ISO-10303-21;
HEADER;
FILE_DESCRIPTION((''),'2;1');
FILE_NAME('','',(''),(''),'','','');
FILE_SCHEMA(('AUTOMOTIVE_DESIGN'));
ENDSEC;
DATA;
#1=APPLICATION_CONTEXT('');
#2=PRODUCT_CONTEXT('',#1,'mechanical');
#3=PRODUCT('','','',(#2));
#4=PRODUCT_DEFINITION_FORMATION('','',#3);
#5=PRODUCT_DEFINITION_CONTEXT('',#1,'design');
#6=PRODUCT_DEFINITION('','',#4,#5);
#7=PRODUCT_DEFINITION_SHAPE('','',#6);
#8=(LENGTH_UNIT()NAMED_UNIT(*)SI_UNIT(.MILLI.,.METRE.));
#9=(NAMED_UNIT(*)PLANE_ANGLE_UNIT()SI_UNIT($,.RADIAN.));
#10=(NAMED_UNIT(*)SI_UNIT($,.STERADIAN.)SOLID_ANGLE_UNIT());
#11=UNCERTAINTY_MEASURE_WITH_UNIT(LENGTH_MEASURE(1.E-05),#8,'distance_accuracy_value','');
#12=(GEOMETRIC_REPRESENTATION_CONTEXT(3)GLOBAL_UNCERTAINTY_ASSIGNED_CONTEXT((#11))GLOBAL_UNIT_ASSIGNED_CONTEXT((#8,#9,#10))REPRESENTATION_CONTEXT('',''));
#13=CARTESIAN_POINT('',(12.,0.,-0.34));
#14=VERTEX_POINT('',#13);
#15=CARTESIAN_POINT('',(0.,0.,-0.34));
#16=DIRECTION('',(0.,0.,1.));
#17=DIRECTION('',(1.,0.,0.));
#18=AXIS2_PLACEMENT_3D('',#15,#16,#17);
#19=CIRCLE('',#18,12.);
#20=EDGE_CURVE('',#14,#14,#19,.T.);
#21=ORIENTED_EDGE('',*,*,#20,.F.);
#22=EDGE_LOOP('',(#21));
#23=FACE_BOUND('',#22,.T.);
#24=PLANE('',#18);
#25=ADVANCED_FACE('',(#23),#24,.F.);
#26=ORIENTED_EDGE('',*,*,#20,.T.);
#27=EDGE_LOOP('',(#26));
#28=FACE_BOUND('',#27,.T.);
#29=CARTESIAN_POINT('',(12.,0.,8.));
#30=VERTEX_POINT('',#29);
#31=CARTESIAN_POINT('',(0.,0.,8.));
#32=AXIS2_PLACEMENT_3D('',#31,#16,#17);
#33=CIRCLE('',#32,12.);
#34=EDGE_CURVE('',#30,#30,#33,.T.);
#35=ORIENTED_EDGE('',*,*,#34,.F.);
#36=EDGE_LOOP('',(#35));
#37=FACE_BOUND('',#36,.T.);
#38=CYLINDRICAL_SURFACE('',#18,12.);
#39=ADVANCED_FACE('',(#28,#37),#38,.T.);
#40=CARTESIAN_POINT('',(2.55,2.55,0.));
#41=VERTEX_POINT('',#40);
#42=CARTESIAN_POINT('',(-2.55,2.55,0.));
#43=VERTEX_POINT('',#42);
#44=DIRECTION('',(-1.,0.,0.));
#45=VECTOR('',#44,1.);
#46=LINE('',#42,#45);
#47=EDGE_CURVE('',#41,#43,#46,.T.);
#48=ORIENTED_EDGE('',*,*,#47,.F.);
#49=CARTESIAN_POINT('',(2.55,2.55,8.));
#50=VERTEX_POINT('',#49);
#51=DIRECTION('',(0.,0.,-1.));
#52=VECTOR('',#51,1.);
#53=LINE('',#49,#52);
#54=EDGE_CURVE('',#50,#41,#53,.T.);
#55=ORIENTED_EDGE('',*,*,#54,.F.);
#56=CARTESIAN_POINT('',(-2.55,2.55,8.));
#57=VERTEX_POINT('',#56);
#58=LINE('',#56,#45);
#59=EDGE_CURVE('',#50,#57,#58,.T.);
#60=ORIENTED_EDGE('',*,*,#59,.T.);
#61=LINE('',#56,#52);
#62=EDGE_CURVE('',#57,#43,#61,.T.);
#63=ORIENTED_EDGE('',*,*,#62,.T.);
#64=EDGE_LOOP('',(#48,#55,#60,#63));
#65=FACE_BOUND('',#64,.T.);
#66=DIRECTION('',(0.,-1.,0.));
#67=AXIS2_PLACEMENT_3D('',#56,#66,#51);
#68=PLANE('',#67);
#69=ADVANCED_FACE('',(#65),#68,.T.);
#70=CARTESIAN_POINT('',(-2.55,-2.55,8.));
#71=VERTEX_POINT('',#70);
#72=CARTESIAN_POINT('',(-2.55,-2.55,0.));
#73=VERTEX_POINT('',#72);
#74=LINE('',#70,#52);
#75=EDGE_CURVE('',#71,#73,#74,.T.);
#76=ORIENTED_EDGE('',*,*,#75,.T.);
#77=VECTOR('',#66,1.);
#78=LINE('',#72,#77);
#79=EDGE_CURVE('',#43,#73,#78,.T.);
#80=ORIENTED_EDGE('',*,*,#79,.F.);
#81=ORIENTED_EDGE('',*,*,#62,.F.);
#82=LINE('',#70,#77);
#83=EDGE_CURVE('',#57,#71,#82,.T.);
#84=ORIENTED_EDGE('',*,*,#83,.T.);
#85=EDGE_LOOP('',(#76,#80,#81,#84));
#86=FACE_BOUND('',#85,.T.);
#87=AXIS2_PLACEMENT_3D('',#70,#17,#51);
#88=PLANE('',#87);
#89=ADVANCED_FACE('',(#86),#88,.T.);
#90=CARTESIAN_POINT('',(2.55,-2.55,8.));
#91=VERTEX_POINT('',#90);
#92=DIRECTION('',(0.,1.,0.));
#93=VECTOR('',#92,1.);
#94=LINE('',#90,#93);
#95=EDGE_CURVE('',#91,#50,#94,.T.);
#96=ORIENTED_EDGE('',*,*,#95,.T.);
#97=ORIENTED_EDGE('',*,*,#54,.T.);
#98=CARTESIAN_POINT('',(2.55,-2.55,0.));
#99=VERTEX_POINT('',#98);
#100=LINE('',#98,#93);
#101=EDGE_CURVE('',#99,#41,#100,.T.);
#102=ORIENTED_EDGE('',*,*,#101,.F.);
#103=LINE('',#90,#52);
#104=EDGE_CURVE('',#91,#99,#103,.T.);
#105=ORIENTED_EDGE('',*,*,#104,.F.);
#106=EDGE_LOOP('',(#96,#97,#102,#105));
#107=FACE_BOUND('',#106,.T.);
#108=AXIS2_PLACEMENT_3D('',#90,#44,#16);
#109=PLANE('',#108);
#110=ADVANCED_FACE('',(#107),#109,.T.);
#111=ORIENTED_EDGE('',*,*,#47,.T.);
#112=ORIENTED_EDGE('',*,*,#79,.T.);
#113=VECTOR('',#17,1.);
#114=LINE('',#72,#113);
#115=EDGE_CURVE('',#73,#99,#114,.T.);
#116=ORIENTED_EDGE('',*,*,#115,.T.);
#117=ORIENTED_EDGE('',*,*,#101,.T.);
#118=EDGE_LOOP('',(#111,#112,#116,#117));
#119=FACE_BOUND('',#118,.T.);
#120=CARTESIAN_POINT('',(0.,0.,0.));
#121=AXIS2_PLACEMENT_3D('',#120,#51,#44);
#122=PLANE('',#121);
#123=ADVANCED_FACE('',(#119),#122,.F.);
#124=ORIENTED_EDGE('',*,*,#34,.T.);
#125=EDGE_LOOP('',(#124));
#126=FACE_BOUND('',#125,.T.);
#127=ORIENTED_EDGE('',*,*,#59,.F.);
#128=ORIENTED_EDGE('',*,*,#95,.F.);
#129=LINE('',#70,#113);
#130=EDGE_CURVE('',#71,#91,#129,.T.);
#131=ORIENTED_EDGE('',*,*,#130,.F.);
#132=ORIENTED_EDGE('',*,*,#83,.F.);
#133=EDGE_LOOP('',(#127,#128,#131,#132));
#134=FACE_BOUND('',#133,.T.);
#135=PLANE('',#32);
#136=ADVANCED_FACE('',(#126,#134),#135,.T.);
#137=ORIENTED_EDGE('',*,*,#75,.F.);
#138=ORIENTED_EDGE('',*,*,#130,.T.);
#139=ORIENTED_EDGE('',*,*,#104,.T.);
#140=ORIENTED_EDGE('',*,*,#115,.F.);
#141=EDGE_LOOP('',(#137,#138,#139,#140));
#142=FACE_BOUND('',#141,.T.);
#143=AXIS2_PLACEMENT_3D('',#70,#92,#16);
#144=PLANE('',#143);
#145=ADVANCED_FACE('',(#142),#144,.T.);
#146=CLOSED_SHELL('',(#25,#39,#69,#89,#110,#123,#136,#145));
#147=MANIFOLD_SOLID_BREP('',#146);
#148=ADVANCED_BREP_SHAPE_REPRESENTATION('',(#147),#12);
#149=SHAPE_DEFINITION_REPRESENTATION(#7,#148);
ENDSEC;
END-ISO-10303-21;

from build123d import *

# Parameters (mm, degrees)
BOSS_EXTRUDE1_START = 8
SKETCH1_R           = 12
BOSS_EXTRUDE1_DEPTH = 8.34
SKETCH3_W           = 5.1
SKETCH3_H           = 5.1
CUT_EXTRUDE4_DEPTH  = 9


with BuildPart() as part:
    # Sketch1 → Boss-Extrude1 (new body)
    with BuildSketch(Plane.XY.offset(BOSS_EXTRUDE1_START)):
        Circle(SKETCH1_R)
    extrude(amount=-BOSS_EXTRUDE1_DEPTH)

    # Sketch3 → Cut-Extrude4 (cut, through all)
    with BuildSketch(Plane.XY):
        Rectangle(SKETCH3_W, SKETCH3_H)
    extrude(amount=CUT_EXTRUDE4_DEPTH, mode=Mode.SUBTRACT)


solid = part.part
